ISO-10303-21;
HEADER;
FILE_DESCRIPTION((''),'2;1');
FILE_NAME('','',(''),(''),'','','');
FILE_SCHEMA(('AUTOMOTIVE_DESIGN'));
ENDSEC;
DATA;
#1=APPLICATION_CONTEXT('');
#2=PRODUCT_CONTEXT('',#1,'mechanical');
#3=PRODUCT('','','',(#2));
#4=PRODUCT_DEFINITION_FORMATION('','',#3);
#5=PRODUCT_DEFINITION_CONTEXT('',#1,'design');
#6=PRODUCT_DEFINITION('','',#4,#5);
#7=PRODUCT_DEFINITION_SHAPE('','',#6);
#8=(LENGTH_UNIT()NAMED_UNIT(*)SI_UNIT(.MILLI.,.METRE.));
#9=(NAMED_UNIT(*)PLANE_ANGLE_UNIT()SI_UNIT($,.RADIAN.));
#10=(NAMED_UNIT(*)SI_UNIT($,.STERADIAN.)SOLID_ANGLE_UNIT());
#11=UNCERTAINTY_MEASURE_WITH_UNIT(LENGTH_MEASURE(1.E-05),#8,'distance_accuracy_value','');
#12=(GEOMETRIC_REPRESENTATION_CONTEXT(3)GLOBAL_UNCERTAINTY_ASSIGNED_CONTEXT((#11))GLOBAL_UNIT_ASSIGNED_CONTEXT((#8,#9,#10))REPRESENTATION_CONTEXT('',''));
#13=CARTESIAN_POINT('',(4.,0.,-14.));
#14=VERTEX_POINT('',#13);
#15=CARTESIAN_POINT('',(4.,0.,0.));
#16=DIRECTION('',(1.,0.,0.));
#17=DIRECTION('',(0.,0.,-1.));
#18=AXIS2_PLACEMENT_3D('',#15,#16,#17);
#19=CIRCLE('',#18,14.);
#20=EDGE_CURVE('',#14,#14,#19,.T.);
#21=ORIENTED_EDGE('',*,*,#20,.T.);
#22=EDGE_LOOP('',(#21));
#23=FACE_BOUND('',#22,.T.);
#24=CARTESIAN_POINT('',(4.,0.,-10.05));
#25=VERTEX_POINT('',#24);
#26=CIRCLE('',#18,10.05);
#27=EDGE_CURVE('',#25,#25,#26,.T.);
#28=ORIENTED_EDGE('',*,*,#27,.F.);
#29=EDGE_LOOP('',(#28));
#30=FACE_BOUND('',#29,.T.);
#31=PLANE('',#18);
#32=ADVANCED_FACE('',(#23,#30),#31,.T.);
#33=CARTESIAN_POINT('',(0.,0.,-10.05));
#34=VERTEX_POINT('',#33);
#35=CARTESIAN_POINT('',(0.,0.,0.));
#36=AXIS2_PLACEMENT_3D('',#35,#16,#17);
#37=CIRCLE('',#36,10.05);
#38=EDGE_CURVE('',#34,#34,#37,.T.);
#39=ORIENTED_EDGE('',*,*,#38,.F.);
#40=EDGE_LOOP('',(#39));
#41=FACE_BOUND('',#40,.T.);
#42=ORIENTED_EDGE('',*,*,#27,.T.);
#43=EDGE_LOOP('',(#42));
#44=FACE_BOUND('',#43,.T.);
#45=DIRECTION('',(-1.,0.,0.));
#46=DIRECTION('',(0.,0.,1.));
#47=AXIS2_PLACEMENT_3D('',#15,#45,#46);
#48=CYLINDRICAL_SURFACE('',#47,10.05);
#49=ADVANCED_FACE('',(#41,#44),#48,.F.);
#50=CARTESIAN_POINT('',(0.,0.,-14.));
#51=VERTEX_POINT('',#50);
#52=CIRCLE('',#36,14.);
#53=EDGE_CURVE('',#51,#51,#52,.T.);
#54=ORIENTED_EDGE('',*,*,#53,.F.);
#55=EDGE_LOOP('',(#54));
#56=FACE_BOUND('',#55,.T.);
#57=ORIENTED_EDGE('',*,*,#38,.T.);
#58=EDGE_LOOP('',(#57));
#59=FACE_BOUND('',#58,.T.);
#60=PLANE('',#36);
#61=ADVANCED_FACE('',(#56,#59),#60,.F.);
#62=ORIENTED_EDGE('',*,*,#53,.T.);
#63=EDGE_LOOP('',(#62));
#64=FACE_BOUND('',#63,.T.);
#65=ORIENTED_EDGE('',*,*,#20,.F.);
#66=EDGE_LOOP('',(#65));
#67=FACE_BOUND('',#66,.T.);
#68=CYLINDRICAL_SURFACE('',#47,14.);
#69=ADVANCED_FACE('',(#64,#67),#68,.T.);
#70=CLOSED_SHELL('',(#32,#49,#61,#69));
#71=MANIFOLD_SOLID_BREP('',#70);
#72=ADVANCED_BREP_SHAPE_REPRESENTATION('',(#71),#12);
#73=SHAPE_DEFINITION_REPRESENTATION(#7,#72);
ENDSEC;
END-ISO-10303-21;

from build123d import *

# Parameters (mm, degrees)
SKETCH1_R           = 14
SKETCH1_R_2         = 10.05
BOSS_EXTRUDE1_DEPTH = 4


with BuildPart() as part:
    # Sketch1 → Boss-Extrude1 (new body)
    with BuildSketch(Plane(origin=(0, 0, 0), x_dir=(0, 0, -1), z_dir=(1, 0, 0))):
        Circle(SKETCH1_R)
        Circle(SKETCH1_R_2, mode=Mode.SUBTRACT)
    extrude(amount=BOSS_EXTRUDE1_DEPTH)


solid = part.part
